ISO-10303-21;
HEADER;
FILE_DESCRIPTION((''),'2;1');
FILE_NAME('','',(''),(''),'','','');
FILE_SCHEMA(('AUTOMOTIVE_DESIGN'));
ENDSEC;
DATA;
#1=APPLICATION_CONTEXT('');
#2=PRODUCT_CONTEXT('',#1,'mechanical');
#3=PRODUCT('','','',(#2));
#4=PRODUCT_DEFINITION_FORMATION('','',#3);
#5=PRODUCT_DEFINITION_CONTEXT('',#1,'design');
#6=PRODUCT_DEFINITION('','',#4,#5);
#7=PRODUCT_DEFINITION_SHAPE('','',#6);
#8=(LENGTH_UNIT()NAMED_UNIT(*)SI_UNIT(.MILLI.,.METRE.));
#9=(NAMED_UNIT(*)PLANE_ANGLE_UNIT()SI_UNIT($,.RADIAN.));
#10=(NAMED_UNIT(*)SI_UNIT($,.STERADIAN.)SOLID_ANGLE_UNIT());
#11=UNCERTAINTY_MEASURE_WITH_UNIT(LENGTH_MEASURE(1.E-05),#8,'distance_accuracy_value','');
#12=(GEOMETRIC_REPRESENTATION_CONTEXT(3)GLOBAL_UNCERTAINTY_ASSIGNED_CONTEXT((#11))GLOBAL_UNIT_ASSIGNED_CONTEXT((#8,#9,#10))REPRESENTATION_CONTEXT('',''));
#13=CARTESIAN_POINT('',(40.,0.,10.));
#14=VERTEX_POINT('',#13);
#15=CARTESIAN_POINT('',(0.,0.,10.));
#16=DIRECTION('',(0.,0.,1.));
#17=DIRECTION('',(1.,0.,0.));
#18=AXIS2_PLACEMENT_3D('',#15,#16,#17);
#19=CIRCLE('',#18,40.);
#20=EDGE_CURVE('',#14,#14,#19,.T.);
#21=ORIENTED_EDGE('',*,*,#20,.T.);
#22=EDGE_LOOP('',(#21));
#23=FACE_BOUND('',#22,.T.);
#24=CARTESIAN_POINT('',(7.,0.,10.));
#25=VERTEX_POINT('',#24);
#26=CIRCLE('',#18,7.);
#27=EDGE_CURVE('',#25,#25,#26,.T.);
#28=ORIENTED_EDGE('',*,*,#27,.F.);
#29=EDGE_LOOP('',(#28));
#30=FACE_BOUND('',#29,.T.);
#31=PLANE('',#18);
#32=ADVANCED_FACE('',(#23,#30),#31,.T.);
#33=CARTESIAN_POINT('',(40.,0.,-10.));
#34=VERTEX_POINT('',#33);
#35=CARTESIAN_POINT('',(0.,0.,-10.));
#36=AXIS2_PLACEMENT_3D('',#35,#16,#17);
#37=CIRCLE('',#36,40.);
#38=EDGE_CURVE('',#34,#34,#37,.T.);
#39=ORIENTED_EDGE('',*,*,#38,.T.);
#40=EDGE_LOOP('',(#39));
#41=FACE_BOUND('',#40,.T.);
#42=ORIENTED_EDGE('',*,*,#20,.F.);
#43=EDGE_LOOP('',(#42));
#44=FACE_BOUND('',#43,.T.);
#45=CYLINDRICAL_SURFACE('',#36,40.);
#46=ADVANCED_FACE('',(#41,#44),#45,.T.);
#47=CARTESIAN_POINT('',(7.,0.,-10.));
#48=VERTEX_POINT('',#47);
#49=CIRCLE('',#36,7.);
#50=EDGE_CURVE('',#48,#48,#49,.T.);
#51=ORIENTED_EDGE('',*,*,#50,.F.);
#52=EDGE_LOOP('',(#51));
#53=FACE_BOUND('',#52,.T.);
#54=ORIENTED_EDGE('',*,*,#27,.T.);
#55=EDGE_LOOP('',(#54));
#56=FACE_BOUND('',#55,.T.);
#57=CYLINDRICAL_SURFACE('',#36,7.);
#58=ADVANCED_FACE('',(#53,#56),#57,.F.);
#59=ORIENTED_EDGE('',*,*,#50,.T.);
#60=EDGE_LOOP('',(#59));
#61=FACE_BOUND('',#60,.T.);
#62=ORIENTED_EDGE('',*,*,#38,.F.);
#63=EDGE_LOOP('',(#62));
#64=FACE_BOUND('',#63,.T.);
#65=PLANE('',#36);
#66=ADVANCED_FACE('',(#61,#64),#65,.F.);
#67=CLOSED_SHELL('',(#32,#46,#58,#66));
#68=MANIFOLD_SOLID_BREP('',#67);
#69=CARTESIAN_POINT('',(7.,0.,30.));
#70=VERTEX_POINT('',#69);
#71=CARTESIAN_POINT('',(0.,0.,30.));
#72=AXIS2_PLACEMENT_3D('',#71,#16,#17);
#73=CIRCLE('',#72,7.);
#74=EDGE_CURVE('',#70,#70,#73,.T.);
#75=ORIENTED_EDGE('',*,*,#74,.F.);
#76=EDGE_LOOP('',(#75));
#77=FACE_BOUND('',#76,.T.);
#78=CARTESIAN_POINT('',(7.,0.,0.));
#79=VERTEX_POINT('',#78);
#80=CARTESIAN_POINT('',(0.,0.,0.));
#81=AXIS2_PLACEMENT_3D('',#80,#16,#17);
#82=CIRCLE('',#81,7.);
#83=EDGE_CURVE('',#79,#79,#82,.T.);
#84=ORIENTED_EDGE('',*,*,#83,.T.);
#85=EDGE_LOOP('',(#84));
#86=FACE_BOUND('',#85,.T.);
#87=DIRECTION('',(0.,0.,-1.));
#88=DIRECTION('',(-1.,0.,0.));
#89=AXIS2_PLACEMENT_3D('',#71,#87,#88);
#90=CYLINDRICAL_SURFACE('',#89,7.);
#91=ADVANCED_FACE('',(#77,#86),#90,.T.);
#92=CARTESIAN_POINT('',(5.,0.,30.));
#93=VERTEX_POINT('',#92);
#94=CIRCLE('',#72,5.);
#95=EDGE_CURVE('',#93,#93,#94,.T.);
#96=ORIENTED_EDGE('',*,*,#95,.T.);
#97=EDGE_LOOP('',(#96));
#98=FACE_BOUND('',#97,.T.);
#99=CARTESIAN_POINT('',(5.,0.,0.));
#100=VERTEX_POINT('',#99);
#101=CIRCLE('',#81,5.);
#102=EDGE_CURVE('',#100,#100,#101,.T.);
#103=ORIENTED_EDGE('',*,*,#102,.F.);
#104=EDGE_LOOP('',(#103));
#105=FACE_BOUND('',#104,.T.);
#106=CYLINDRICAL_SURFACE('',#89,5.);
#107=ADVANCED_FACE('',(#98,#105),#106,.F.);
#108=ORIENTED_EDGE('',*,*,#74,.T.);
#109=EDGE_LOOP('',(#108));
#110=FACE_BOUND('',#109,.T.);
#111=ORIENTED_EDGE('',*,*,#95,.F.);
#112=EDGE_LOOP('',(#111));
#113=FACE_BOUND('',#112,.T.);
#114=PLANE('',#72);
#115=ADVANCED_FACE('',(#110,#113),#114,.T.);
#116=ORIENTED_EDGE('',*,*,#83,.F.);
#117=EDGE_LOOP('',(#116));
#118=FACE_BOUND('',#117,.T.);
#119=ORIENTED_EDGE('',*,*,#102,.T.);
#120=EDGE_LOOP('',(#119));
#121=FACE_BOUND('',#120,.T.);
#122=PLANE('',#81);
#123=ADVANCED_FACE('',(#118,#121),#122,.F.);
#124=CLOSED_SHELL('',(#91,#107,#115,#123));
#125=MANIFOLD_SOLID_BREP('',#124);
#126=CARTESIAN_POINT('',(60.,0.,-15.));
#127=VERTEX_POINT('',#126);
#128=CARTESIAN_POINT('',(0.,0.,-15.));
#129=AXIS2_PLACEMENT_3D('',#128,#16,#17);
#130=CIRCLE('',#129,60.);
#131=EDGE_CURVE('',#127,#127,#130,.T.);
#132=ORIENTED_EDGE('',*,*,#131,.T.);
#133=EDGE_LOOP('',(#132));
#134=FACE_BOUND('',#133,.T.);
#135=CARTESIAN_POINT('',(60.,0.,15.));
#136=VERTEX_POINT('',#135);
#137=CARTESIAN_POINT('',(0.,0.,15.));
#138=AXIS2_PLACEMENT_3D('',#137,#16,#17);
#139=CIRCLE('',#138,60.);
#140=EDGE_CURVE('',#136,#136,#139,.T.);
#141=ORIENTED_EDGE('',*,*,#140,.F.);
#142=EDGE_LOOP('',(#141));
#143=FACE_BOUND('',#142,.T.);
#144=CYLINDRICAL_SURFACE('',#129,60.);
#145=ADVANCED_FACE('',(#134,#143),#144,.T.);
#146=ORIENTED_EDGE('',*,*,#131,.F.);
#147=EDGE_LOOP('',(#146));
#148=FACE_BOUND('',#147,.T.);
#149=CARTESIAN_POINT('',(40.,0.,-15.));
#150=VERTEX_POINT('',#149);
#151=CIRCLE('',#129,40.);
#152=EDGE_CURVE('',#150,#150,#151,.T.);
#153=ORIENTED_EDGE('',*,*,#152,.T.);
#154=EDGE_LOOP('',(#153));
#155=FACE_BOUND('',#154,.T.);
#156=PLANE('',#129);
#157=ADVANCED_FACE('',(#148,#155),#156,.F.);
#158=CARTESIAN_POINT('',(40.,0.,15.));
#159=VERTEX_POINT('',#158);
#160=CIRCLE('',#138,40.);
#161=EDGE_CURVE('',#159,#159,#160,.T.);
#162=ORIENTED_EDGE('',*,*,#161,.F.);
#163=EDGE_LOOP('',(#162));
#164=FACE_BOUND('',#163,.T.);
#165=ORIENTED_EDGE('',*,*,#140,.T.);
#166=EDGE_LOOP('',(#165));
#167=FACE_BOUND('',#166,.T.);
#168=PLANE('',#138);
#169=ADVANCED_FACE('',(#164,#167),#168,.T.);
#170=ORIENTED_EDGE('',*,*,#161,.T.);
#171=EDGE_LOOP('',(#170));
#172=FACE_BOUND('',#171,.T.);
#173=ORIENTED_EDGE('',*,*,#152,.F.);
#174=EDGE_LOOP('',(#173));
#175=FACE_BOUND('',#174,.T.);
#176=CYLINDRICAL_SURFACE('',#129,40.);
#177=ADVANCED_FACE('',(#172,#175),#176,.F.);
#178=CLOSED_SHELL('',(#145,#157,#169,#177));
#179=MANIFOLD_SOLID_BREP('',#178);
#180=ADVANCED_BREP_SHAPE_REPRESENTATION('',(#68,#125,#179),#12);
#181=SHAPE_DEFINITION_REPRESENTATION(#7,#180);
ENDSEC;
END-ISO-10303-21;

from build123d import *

# Parameters (mm, degrees)
BOSS_EXTRUDE1_DEPTH      = 15
BOSS_EXTRUDE1_DEPTH_BACK = 15
SKETCH1_R                = 60
SKETCH1_R_2              = 40
BOSS_EXTRUDE2_DEPTH      = 10
BOSS_EXTRUDE2_DEPTH_BACK = 10
SKETCH1_3_R              = 40
SKETCH1_3_R_2            = 7
SKETCH1_4_R              = 7
SKETCH1_4_R_2            = 5
BOSS_EXTRUDE3_DEPTH      = 30


with BuildPart() as part:
    # Sketch1 → Boss-Extrude1 (new, two sides: drawn at the far end of the back side and taken through both)
    with BuildSketch(Plane.XY.offset(-BOSS_EXTRUDE1_DEPTH_BACK)):
        Circle(SKETCH1_R)
        Circle(SKETCH1_R_2, mode=Mode.SUBTRACT)
    extrude(amount=BOSS_EXTRUDE1_DEPTH + BOSS_EXTRUDE1_DEPTH_BACK)


with BuildPart() as body_2:
    # Sketch1<3> → Boss-Extrude2 (new, two sides: drawn at the far end of the back side and taken through both)
    with BuildSketch(Plane.XY.offset(-BOSS_EXTRUDE2_DEPTH_BACK)):
        Circle(SKETCH1_3_R)
        Circle(SKETCH1_3_R_2, mode=Mode.SUBTRACT)
    extrude(amount=BOSS_EXTRUDE2_DEPTH + BOSS_EXTRUDE2_DEPTH_BACK)


with BuildPart() as body_3:
    # Sketch1<4> → Boss-Extrude3 (new body)
    with BuildSketch(Plane.XY):
        Circle(SKETCH1_4_R)
        Circle(SKETCH1_4_R_2, mode=Mode.SUBTRACT)
    extrude(amount=BOSS_EXTRUDE3_DEPTH)


solid = Compound([part.part, body_2.part, body_3.part])
